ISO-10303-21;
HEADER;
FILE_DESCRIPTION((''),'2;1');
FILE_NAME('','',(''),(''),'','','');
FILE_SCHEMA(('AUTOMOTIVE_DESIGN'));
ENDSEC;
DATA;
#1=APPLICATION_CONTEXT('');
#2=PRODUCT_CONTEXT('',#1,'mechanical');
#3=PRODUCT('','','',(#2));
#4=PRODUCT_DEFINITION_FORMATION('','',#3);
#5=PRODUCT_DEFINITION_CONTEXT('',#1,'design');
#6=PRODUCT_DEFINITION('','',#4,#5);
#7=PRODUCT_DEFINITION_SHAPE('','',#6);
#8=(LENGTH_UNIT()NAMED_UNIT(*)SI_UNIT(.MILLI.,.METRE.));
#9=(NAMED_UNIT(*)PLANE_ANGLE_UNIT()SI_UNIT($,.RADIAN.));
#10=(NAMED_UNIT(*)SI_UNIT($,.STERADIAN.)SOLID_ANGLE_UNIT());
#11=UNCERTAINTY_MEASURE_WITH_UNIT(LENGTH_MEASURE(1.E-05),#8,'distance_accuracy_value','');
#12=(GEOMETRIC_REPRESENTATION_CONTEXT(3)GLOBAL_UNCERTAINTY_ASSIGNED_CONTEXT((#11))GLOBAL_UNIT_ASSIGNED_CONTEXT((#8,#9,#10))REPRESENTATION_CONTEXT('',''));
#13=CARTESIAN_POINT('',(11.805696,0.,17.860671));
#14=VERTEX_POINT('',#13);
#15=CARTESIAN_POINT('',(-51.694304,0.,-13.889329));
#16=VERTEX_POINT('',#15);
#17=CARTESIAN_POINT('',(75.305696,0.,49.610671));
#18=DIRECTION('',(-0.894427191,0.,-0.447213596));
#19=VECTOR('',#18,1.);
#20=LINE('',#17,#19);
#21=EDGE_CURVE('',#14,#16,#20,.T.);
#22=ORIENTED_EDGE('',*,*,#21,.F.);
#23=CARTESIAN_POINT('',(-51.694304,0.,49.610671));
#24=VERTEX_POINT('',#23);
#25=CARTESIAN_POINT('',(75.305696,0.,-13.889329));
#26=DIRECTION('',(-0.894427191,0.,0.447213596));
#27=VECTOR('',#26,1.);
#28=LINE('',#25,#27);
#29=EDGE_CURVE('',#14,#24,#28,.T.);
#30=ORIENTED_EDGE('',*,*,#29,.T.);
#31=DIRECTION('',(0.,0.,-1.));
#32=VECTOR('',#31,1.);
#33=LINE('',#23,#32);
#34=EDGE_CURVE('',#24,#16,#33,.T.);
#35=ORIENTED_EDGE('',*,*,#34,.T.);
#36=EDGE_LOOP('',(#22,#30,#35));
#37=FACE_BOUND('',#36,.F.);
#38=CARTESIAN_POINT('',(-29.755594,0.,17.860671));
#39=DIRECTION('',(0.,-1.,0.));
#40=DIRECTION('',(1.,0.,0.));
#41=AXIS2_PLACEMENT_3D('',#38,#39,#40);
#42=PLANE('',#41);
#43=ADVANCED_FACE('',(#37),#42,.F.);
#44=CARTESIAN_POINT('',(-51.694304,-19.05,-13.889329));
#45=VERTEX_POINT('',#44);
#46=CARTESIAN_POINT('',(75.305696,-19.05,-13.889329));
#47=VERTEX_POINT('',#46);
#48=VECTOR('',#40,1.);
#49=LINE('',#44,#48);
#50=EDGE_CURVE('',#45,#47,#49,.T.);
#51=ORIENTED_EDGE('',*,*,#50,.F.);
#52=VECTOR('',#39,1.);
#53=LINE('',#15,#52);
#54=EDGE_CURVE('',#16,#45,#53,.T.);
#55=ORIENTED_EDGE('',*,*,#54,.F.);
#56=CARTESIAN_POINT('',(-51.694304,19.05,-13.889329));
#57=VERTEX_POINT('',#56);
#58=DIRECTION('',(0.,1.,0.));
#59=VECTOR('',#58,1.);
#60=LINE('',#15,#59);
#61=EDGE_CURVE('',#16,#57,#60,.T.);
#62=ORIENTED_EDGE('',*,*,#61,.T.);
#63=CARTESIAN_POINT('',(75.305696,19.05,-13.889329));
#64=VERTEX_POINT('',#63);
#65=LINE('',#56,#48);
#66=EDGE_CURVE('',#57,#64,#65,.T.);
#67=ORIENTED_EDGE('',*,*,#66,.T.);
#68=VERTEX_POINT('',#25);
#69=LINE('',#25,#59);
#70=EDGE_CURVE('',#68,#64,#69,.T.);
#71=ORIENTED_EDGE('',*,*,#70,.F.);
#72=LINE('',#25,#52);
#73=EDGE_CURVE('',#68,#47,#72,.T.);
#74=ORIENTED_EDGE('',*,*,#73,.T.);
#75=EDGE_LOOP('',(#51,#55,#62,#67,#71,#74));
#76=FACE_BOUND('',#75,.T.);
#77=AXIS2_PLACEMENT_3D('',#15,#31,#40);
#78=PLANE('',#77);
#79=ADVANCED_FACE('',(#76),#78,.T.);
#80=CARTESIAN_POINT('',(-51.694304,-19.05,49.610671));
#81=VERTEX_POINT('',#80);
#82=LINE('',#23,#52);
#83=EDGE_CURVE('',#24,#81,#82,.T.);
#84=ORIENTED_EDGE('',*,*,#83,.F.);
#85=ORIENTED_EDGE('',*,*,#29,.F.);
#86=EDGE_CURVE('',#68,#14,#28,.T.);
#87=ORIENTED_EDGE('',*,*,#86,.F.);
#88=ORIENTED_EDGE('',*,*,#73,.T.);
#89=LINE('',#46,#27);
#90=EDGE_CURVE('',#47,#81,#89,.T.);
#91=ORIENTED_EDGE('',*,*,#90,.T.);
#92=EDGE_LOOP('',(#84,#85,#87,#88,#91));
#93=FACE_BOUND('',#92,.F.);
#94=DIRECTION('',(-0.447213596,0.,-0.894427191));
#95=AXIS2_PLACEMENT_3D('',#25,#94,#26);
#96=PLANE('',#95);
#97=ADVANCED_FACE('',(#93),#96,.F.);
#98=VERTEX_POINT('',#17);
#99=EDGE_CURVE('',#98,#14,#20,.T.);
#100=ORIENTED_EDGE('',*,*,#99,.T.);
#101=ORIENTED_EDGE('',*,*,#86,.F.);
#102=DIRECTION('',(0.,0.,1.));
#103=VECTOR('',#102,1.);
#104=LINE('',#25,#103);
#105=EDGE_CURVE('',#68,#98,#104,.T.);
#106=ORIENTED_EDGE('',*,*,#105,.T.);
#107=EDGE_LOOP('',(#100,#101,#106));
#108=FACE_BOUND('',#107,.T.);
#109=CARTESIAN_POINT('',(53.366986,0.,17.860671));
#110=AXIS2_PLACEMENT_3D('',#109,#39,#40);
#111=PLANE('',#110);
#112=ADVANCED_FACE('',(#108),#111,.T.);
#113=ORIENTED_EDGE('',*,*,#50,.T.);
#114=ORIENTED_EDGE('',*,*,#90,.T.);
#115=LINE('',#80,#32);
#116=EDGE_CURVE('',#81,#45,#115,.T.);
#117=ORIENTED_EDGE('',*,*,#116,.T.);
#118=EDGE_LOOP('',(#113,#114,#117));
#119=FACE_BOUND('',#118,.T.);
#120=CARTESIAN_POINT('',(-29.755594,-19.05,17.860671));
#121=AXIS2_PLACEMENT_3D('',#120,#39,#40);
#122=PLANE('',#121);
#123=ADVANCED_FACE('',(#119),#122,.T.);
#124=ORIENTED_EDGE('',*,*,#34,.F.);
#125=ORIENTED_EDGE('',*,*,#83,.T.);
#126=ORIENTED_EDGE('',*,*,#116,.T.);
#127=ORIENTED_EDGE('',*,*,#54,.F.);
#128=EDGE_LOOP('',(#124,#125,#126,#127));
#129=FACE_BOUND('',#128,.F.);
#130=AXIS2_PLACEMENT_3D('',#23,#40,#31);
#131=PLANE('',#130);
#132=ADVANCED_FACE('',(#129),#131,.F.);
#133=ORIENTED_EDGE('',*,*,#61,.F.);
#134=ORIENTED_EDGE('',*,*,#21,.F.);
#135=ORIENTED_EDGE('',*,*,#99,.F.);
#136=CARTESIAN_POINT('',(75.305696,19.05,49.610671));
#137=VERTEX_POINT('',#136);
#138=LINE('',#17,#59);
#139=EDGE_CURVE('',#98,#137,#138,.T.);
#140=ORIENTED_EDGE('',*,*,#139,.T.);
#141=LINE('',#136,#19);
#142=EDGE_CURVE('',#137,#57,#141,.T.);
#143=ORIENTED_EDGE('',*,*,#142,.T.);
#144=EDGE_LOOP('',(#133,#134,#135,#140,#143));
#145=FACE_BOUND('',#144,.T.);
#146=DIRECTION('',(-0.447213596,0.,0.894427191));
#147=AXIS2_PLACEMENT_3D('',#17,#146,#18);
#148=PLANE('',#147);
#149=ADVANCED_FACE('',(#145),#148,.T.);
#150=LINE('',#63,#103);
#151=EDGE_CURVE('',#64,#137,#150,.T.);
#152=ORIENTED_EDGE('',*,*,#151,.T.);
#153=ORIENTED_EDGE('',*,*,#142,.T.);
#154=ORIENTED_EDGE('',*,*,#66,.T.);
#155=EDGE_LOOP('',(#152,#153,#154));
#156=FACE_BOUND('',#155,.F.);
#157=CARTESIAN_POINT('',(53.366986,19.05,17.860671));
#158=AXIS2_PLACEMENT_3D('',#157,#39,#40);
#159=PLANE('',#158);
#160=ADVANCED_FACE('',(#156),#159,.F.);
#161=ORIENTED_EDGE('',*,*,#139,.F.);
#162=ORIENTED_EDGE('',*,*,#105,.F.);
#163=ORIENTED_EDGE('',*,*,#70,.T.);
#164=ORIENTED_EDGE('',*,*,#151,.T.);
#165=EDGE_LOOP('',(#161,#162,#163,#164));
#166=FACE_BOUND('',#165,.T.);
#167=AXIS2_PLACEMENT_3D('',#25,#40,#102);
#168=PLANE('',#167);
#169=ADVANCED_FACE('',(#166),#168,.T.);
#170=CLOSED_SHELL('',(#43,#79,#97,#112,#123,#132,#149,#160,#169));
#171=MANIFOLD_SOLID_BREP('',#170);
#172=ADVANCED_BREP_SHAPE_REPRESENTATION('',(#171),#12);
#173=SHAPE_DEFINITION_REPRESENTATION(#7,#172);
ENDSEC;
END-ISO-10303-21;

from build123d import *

# Parameters (mm, degrees)
F1_DEPTH = 19.05
F2_DEPTH = 19.05


with BuildPart() as f1:
    # F0 (on Front) → F1 (new body)
    with BuildSketch(Plane.XZ):
        Polygon((11.805696, 17.860671), (-51.694304, 49.610671), (-51.694304, -13.889329), align=None)
        Polygon((11.805696, 17.860671), (-51.694304, -13.889329), (75.305696, -13.889329), align=None)
    extrude(amount=F1_DEPTH)

    # F0 (on Front) → F2 (join)
    with BuildSketch(Plane.XZ):
        Polygon((75.305696, 49.610671), (11.805696, 17.860671), (75.305696, -13.889329), align=None)
        Polygon((11.805696, 17.860671), (-51.694304, -13.889329), (75.305696, -13.889329), align=None)
    extrude(amount=-F2_DEPTH)


solid = f1.part
